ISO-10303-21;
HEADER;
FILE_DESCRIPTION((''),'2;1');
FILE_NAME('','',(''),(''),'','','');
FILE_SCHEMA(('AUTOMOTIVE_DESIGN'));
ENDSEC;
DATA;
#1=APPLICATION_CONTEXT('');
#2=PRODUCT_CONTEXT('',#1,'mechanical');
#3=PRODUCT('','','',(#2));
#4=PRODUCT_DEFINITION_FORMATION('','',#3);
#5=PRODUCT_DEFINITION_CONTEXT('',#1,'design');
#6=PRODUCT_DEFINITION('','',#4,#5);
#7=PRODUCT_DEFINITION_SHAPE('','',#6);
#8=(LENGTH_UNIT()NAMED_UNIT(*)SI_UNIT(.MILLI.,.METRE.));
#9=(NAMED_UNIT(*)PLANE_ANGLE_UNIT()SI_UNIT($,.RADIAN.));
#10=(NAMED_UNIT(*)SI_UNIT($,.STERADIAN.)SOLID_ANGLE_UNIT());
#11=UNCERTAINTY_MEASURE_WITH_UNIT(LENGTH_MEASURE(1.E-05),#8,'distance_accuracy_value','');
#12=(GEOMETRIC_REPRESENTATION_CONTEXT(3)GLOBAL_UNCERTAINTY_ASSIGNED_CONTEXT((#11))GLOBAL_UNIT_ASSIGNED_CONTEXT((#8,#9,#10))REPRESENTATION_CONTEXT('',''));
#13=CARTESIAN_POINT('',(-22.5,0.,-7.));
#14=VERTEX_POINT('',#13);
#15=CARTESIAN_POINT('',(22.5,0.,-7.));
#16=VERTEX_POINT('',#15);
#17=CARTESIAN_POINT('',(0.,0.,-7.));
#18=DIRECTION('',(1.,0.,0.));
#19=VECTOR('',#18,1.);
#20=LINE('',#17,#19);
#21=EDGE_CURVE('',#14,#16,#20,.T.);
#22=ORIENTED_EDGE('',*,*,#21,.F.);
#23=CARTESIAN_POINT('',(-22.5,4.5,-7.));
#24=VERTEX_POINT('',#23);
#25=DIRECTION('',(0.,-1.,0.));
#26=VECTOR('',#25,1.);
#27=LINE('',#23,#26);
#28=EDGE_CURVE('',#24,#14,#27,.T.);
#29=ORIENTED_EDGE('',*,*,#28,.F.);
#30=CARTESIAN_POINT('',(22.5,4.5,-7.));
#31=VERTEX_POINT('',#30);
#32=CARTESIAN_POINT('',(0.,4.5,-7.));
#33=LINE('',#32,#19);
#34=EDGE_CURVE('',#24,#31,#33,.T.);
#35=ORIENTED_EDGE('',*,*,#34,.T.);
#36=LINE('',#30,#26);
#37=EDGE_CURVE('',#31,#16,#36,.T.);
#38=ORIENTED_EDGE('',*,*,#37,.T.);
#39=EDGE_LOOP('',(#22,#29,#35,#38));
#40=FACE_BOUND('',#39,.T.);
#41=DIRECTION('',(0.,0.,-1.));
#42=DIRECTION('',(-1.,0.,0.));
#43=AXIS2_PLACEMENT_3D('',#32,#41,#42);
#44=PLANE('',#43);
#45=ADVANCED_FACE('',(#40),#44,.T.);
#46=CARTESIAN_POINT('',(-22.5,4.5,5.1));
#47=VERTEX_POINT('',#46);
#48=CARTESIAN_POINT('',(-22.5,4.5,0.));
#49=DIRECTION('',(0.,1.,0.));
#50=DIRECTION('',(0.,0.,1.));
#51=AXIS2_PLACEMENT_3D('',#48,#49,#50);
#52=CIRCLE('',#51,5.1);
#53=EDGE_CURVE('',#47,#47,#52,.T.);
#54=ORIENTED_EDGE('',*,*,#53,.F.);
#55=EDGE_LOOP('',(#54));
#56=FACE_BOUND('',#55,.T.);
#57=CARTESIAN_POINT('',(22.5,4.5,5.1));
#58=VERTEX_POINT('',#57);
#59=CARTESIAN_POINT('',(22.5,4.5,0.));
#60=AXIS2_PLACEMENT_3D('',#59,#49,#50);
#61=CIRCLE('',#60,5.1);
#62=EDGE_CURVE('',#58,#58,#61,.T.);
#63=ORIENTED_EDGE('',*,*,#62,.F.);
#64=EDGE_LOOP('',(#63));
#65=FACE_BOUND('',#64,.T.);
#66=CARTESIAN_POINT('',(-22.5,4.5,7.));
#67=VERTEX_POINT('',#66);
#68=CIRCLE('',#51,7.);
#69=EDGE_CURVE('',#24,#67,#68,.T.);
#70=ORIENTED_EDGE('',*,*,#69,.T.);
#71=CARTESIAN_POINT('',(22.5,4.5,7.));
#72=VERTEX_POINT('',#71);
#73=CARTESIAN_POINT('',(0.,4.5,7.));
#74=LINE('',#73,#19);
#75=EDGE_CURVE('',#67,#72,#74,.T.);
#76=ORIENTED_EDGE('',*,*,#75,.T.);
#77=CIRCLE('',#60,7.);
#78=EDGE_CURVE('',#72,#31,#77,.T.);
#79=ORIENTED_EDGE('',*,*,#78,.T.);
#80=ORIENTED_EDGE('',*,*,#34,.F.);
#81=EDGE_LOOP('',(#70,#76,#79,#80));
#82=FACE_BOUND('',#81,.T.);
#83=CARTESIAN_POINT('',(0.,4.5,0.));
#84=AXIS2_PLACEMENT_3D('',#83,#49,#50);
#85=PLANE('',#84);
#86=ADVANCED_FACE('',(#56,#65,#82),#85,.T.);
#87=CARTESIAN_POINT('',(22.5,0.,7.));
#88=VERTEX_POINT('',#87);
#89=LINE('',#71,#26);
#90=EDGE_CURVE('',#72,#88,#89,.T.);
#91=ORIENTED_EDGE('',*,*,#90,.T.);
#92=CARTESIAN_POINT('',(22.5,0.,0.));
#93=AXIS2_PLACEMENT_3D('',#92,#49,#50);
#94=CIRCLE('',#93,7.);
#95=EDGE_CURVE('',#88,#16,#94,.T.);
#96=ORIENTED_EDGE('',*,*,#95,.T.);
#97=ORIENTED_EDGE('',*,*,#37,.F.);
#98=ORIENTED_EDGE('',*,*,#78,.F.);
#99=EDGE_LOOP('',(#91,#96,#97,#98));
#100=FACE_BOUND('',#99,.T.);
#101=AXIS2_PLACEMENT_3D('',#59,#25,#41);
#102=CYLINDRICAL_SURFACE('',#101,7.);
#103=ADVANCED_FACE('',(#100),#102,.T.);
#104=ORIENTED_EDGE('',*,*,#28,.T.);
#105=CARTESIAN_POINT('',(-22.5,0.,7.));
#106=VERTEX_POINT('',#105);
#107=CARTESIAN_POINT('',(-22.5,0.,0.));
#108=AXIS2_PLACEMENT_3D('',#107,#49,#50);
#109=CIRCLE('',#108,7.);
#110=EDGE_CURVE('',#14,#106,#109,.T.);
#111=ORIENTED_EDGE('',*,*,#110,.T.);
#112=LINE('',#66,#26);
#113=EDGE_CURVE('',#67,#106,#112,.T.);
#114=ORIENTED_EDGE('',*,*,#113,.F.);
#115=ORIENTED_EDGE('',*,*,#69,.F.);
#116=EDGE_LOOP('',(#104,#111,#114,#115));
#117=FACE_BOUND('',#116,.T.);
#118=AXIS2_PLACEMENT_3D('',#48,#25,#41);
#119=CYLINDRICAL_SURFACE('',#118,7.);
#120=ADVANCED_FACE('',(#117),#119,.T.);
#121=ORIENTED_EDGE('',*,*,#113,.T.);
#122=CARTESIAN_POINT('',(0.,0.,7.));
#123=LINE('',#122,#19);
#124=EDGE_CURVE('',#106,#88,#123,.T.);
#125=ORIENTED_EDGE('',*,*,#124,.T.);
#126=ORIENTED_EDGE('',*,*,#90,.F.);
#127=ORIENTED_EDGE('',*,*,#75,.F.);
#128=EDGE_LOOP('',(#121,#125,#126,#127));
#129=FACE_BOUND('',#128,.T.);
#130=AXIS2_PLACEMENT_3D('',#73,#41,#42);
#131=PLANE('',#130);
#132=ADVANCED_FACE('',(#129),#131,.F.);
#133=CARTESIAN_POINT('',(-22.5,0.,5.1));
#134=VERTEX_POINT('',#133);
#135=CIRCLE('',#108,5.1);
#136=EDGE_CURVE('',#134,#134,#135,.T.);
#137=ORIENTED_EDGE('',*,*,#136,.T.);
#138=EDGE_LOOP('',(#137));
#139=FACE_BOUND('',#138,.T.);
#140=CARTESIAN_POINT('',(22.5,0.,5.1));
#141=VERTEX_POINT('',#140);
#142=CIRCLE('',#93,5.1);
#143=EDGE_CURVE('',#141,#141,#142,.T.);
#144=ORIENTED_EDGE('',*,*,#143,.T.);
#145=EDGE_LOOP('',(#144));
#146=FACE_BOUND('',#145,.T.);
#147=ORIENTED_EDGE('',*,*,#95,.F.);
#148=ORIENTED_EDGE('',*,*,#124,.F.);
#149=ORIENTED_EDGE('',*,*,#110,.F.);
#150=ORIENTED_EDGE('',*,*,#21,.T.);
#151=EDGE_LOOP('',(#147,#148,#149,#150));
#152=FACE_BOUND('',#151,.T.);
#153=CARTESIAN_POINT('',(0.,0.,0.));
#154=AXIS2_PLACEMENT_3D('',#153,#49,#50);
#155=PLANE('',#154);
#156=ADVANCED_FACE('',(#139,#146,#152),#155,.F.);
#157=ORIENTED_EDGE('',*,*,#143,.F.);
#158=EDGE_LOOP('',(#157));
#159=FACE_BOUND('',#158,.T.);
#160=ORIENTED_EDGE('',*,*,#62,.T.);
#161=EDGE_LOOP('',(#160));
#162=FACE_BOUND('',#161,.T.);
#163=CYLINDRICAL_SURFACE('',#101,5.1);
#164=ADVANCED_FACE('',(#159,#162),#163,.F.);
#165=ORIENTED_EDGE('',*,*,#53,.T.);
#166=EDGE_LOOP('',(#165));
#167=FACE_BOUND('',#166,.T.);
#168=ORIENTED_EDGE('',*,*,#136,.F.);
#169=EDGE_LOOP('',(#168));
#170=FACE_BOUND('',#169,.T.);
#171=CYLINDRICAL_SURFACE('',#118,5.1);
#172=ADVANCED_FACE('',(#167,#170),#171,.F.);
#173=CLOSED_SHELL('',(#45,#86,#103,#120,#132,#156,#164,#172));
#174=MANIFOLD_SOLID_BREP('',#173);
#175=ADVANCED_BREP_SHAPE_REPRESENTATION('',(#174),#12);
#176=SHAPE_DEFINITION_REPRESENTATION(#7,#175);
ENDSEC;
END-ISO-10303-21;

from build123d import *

# Parameters (mm, degrees)
BOSS_EXTRUDE1_DEPTH = 4.5


with BuildPart() as part:
    # Sketch1 → Boss-Extrude1 (new body)
    with BuildSketch(Plane(origin=(0, 0, 0), x_dir=(1, 0, 0), z_dir=(0, 1, 0))):
        with BuildLine():
            ThreePointArc((-22.5, 7), (-29.5, 0), (-22.5, -7))
            Line((-22.5, -7), (-22.5, -5.1))
            ThreePointArc((-22.5, -5.1), (-27.6, 0), (-22.5, 5.1))
            Line((-22.5, 5.1), (-22.5, 7))
        make_face()
        with BuildLine():
            Line((-22.5, -5.1), (-22.5, -7))
            ThreePointArc((-22.5, -7), (-17.550252532, -4.949747468), (-15.5, 0))
            ThreePointArc((-15.5, 0), (-17.550252532, 4.949747468), (-22.5, 7))
            Line((-22.5, 7), (-22.5, 5.1))
            ThreePointArc((-22.5, 5.1), (-18.893755416, 3.606244584), (-17.4, 0))
            ThreePointArc((-17.4, 0), (-18.893755416, -3.606244584), (-22.5, -5.1))
        make_face()
        with BuildLine():
            ThreePointArc((-22.5, 7), (-29.5, 0), (-22.5, -7))
            Line((-22.5, -7), (-22.5, -5.1))
            ThreePointArc((-22.5, -5.1), (-27.6, 0), (-22.5, 5.1))
            Line((-22.5, 5.1), (-22.5, 7))
        make_face()
        with BuildLine():
            Line((-22.5, -5.1), (-22.5, -7))
            ThreePointArc((-22.5, -7), (-17.550252532, -4.949747468), (-15.5, 0))
            ThreePointArc((-15.5, 0), (-17.550252532, 4.949747468), (-22.5, 7))
            Line((-22.5, 7), (-22.5, 5.1))
            ThreePointArc((-22.5, 5.1), (-18.893755416, 3.606244584), (-17.4, 0))
            ThreePointArc((-17.4, 0), (-18.893755416, -3.606244584), (-22.5, -5.1))
        make_face()
        with BuildLine():
            ThreePointArc((-15.5, 0), (-17.550252532, -4.949747468), (-22.5, -7))
            Line((-22.5, -7), (22.5, -7))
            ThreePointArc((22.5, -7), (15.5, 0), (22.5, 7))
            Line((22.5, 7), (-22.5, 7))
            ThreePointArc((-22.5, 7), (-17.550252532, 4.949747468), (-15.5, 0))
        make_face()
        with BuildLine():
            ThreePointArc((22.5, 7), (15.5, 0), (22.5, -7))
            Line((22.5, -7), (22.5, -5.1))
            ThreePointArc((22.5, -5.1), (17.4, 0), (22.5, 5.1))
            Line((22.5, 5.1), (22.5, 7))
        make_face()
        with BuildLine():
            Line((22.5, -5.1), (22.5, -7))
            ThreePointArc((22.5, -7), (27.449747468, -4.949747468), (29.5, 0))
            ThreePointArc((29.5, 0), (27.449747468, 4.949747468), (22.5, 7))
            Line((22.5, 7), (22.5, 5.1))
            ThreePointArc((22.5, 5.1), (26.106244584, 3.606244584), (27.6, 0))
            ThreePointArc((27.6, 0), (26.106244584, -3.606244584), (22.5, -5.1))
        make_face()
        with BuildLine():
            ThreePointArc((22.5, 7), (15.5, 0), (22.5, -7))
            Line((22.5, -7), (22.5, -5.1))
            ThreePointArc((22.5, -5.1), (17.4, 0), (22.5, 5.1))
            Line((22.5, 5.1), (22.5, 7))
        make_face()
        with BuildLine():
            Line((22.5, -5.1), (22.5, -7))
            ThreePointArc((22.5, -7), (27.449747468, -4.949747468), (29.5, 0))
            ThreePointArc((29.5, 0), (27.449747468, 4.949747468), (22.5, 7))
            Line((22.5, 7), (22.5, 5.1))
            ThreePointArc((22.5, 5.1), (26.106244584, 3.606244584), (27.6, 0))
            ThreePointArc((27.6, 0), (26.106244584, -3.606244584), (22.5, -5.1))
        make_face()
    extrude(amount=BOSS_EXTRUDE1_DEPTH)


solid = part.part
